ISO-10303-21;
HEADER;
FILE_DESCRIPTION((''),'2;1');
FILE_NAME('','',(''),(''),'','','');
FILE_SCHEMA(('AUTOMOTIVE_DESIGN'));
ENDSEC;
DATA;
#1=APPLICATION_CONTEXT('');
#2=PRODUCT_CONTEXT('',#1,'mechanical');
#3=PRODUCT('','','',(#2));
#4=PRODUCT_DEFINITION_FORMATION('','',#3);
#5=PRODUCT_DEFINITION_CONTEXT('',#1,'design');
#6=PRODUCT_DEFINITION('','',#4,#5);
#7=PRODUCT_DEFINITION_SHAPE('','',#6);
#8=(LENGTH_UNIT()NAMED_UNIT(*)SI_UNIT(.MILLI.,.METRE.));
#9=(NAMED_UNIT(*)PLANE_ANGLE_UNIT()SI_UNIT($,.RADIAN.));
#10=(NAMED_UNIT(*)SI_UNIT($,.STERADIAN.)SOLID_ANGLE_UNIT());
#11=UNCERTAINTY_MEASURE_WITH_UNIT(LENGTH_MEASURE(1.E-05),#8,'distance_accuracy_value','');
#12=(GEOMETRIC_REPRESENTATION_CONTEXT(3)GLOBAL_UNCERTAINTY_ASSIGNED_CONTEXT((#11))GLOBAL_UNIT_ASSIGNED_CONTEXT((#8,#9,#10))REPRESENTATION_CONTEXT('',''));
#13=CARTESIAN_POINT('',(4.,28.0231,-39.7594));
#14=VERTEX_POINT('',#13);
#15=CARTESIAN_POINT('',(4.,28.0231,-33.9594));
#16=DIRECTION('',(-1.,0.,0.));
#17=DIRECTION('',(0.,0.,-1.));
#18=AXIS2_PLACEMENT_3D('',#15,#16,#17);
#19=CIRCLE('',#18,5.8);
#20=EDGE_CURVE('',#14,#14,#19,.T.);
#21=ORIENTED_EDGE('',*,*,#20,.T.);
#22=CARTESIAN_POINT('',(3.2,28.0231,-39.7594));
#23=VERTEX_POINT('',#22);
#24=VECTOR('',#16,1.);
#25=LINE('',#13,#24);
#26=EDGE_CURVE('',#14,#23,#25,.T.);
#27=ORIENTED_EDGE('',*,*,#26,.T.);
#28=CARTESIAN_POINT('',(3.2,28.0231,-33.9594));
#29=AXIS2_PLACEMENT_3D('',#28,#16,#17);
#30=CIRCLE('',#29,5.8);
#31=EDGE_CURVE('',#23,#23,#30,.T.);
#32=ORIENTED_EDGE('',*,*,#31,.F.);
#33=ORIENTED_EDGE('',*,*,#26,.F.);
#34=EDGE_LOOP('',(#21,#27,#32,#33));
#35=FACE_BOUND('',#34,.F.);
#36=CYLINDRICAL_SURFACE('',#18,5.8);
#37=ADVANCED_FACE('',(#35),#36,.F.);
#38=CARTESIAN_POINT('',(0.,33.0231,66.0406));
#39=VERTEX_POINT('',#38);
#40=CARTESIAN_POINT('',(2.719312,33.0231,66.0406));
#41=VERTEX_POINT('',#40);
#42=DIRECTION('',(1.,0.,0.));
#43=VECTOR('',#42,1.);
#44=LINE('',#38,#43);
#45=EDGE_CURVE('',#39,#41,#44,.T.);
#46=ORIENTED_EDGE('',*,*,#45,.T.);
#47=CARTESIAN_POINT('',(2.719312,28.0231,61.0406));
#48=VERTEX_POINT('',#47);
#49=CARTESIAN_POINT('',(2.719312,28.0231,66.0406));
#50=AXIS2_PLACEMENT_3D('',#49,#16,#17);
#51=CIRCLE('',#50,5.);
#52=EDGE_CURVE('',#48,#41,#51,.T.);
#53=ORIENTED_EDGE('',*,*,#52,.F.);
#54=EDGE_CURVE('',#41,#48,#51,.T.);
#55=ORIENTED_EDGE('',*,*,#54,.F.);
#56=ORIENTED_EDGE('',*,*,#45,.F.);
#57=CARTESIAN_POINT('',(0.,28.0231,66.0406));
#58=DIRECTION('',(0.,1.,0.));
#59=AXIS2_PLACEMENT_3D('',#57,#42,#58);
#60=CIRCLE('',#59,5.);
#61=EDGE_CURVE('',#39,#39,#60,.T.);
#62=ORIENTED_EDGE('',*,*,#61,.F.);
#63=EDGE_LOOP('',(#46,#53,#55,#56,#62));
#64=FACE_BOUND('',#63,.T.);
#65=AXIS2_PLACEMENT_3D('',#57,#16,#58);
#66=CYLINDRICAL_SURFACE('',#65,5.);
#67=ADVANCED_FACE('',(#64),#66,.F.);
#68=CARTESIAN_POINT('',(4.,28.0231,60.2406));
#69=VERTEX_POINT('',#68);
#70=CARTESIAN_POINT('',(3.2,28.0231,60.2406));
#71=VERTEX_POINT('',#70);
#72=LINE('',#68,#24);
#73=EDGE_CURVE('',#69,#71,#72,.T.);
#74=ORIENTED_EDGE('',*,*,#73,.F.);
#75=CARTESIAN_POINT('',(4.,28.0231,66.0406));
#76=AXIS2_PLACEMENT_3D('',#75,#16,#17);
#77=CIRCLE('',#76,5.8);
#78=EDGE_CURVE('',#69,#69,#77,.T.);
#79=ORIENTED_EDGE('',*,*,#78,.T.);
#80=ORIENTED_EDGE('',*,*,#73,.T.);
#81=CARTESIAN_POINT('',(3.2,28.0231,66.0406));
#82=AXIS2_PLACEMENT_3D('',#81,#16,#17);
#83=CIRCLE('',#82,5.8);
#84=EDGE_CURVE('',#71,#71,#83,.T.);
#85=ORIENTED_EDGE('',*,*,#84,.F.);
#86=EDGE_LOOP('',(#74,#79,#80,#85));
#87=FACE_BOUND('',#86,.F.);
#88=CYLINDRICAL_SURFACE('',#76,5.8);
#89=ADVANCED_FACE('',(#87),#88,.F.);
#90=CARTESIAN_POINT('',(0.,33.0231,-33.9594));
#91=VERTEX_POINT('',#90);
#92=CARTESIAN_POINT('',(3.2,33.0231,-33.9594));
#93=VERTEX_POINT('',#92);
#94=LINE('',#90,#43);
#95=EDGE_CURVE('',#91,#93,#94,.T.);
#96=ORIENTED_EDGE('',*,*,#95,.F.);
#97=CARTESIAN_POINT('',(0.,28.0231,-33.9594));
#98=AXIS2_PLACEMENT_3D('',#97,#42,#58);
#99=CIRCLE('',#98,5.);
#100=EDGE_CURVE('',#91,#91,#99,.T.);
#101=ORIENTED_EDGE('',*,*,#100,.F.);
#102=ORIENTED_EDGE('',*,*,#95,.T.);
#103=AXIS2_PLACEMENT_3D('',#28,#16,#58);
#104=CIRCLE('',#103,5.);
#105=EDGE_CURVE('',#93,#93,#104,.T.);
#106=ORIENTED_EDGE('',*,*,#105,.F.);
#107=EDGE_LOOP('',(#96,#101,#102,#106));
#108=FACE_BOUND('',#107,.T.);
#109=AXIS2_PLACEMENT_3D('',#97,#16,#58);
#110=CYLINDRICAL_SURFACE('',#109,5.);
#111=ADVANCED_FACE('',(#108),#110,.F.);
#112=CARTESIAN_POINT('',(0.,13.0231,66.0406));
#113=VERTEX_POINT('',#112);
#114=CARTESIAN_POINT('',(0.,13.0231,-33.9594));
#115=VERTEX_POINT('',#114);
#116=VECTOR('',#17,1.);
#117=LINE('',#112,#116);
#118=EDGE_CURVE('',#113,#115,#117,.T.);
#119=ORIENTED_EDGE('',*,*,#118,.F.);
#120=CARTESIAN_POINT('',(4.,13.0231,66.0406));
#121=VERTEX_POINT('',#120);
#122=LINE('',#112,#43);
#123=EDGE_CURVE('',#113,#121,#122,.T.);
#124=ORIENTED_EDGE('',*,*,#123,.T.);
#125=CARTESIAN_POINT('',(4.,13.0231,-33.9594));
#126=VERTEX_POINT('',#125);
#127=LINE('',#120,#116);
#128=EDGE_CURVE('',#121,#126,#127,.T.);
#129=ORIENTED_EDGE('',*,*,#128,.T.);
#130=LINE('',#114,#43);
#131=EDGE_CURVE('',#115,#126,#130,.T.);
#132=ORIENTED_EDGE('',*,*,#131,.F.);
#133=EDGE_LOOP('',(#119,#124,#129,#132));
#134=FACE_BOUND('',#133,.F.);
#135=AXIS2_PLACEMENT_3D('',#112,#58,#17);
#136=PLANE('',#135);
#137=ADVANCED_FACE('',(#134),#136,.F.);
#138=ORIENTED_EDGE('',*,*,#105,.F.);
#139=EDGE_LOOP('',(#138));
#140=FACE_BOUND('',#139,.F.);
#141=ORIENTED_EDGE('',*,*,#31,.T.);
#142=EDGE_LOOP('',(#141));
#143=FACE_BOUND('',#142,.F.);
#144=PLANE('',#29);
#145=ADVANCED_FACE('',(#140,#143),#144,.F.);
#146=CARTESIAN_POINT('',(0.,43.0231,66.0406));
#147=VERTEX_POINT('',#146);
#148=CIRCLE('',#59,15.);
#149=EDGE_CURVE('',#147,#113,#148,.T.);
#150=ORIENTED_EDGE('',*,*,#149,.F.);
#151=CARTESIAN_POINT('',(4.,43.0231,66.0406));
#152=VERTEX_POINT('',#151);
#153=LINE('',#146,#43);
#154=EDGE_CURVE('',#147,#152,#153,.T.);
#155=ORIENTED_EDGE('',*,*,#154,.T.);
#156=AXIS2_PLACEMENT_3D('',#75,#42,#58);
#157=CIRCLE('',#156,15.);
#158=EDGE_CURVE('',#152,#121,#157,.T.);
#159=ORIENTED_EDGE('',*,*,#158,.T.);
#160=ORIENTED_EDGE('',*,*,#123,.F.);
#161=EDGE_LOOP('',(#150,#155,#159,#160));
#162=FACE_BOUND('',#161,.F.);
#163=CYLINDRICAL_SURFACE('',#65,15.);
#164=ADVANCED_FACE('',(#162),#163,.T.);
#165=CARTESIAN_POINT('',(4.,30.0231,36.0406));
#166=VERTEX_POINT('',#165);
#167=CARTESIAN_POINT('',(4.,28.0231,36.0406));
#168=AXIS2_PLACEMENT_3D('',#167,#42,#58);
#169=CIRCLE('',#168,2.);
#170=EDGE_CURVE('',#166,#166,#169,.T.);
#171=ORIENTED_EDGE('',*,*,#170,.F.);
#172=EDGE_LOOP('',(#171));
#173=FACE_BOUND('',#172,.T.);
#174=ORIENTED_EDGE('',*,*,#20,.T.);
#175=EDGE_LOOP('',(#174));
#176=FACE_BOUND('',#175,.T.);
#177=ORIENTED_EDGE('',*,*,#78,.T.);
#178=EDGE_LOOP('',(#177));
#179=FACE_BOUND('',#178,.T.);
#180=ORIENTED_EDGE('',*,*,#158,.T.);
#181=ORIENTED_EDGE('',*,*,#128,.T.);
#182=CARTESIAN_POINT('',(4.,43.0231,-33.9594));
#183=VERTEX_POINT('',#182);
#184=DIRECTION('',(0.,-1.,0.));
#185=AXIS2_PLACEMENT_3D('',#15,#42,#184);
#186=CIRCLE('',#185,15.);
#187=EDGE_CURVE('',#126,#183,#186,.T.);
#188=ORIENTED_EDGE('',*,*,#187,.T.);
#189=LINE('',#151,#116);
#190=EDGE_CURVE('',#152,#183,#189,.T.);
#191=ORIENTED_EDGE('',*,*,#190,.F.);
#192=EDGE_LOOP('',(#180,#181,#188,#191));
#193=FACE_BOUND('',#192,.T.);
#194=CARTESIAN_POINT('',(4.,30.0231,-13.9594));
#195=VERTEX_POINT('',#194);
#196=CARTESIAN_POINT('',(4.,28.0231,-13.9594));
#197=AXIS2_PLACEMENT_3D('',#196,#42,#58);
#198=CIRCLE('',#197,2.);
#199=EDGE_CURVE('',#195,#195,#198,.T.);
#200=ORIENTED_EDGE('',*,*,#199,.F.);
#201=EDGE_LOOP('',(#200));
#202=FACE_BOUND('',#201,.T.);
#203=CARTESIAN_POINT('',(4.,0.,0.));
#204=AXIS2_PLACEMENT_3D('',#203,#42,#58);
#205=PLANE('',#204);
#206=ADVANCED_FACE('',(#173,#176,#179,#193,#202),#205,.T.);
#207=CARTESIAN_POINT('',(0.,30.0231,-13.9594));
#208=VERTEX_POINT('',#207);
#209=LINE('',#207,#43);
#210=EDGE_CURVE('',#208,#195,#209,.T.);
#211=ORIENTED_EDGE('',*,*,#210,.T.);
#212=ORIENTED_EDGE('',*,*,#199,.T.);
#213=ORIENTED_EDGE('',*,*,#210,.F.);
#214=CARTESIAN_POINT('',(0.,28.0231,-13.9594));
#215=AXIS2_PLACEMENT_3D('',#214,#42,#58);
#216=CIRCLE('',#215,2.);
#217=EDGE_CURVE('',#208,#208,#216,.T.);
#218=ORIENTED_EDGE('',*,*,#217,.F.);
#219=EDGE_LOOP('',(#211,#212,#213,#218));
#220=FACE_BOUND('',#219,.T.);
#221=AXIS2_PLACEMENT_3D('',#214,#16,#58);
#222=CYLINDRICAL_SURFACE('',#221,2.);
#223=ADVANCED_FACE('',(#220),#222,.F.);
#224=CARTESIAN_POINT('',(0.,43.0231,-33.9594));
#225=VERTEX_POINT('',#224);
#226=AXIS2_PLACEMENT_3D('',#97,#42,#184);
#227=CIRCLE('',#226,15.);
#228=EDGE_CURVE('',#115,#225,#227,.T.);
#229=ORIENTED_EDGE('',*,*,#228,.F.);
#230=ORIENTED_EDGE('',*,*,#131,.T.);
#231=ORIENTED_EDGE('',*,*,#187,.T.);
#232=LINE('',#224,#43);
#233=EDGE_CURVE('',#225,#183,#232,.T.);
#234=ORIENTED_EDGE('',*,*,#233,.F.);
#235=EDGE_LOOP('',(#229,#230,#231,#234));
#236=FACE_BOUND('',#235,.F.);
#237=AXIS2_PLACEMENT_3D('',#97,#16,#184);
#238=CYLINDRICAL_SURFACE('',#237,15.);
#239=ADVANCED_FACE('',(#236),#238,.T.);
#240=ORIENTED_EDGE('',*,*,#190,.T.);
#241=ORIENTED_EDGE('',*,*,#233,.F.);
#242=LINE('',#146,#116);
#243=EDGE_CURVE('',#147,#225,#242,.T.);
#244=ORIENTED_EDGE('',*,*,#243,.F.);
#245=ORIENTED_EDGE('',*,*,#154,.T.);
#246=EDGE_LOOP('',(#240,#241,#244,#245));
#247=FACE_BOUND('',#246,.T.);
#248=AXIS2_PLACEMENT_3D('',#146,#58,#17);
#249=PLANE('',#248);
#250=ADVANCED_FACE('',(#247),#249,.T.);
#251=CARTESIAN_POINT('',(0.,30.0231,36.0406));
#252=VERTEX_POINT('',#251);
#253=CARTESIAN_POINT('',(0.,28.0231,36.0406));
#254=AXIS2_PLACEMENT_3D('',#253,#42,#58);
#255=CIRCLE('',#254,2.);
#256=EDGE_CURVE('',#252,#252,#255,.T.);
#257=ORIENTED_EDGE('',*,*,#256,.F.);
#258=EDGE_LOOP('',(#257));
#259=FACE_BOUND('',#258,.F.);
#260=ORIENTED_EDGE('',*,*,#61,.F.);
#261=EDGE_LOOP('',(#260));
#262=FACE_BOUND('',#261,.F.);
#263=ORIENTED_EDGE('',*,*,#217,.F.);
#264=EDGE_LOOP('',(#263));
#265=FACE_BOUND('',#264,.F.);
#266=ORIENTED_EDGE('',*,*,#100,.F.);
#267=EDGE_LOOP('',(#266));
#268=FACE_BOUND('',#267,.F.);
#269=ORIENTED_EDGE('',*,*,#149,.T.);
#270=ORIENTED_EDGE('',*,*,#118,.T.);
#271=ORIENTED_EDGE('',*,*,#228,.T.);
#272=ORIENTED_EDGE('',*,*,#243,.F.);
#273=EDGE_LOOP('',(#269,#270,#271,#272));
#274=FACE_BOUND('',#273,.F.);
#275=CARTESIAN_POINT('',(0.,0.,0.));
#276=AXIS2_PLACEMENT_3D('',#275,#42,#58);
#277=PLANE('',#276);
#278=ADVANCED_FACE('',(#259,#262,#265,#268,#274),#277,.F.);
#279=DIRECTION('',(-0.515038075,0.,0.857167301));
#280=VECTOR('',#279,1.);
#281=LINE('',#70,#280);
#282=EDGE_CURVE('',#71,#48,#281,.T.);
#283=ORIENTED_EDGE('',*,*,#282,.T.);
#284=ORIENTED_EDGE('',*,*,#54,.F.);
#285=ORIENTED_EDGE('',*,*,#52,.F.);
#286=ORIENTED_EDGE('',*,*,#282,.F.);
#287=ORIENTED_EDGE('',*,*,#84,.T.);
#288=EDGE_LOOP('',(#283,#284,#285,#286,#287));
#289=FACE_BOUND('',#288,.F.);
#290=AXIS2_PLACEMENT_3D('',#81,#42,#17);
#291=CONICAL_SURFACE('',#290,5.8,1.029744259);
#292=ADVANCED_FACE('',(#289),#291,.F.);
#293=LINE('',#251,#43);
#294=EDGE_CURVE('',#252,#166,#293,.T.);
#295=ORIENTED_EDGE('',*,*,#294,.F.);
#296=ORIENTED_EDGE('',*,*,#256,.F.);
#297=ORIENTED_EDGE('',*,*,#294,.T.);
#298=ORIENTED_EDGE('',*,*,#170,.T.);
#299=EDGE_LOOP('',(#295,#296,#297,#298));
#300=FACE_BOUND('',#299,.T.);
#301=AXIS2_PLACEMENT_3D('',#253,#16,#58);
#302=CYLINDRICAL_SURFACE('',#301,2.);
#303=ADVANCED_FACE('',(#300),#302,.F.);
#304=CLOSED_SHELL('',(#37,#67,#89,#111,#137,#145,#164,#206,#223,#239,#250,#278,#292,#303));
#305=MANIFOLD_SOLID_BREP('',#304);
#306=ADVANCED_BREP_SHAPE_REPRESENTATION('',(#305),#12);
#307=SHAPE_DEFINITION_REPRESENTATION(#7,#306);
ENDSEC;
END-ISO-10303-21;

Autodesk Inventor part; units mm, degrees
ref_plane "YZ Plane" through (0, 0, 0) normal (1, 0, 0) x (0, 1, 0)
ref_plane "XZ Plane" through (0, 0, 0) normal (0, 1, 0) x (-1, 0, 0)
ref_plane "XY Plane" through (0, 0, 0) normal (0, 0, 1) x (1, 0, 0)
sketch "Sketch1" plane through (0, 0, 0) normal (1, 0, 0) x (0, 1, 0)
  arc A0 (43.0231, 66.0406) -> (13.0231, 66.0406) centre (28.0231, 66.0406) ccw
  arc A1 (13.0231, -33.9594) -> (43.0231, -33.9594) centre (28.0231, -33.9594) ccw
  line L0 (13.0231, 66.0406) -> (13.0231, -33.9594)
  line L1 (43.0231, 66.0406) -> (43.0231, -33.9594)
  circle A2 centre (28.0231, 66.0406) radius 5
  circle A3 centre (28.0231, -33.9594) radius 5
  circle A4 centre (28.0231, 36.0406) radius 2
  circle A5 centre (28.0231, -13.9594) radius 2
  point P0 (0, 0)
  dimension "d6" = 15
  dimension "d18" = 100
  dimension "d40" = 10
  dimension "d50" = 0
  dimension "d51" = 0
  dimension "d52" = 20
  dimension "d53" = 30
  dimension "d54" = 4
  dimension "d66" = 10
extrude "Extrusion6" add sketch "Sketch1" along normal blind 4
hole "Hole4" at (4, 28.0231, 66.0406) direction (-1, 0, 0) diameter 11.6 depth 0.8 tip angle 118
hole "Hole5" at (4, 28.0231, -33.9594) direction (-1, 0, 0) diameter 11.6 depth 0.8
properties part number "BaseJoint"
